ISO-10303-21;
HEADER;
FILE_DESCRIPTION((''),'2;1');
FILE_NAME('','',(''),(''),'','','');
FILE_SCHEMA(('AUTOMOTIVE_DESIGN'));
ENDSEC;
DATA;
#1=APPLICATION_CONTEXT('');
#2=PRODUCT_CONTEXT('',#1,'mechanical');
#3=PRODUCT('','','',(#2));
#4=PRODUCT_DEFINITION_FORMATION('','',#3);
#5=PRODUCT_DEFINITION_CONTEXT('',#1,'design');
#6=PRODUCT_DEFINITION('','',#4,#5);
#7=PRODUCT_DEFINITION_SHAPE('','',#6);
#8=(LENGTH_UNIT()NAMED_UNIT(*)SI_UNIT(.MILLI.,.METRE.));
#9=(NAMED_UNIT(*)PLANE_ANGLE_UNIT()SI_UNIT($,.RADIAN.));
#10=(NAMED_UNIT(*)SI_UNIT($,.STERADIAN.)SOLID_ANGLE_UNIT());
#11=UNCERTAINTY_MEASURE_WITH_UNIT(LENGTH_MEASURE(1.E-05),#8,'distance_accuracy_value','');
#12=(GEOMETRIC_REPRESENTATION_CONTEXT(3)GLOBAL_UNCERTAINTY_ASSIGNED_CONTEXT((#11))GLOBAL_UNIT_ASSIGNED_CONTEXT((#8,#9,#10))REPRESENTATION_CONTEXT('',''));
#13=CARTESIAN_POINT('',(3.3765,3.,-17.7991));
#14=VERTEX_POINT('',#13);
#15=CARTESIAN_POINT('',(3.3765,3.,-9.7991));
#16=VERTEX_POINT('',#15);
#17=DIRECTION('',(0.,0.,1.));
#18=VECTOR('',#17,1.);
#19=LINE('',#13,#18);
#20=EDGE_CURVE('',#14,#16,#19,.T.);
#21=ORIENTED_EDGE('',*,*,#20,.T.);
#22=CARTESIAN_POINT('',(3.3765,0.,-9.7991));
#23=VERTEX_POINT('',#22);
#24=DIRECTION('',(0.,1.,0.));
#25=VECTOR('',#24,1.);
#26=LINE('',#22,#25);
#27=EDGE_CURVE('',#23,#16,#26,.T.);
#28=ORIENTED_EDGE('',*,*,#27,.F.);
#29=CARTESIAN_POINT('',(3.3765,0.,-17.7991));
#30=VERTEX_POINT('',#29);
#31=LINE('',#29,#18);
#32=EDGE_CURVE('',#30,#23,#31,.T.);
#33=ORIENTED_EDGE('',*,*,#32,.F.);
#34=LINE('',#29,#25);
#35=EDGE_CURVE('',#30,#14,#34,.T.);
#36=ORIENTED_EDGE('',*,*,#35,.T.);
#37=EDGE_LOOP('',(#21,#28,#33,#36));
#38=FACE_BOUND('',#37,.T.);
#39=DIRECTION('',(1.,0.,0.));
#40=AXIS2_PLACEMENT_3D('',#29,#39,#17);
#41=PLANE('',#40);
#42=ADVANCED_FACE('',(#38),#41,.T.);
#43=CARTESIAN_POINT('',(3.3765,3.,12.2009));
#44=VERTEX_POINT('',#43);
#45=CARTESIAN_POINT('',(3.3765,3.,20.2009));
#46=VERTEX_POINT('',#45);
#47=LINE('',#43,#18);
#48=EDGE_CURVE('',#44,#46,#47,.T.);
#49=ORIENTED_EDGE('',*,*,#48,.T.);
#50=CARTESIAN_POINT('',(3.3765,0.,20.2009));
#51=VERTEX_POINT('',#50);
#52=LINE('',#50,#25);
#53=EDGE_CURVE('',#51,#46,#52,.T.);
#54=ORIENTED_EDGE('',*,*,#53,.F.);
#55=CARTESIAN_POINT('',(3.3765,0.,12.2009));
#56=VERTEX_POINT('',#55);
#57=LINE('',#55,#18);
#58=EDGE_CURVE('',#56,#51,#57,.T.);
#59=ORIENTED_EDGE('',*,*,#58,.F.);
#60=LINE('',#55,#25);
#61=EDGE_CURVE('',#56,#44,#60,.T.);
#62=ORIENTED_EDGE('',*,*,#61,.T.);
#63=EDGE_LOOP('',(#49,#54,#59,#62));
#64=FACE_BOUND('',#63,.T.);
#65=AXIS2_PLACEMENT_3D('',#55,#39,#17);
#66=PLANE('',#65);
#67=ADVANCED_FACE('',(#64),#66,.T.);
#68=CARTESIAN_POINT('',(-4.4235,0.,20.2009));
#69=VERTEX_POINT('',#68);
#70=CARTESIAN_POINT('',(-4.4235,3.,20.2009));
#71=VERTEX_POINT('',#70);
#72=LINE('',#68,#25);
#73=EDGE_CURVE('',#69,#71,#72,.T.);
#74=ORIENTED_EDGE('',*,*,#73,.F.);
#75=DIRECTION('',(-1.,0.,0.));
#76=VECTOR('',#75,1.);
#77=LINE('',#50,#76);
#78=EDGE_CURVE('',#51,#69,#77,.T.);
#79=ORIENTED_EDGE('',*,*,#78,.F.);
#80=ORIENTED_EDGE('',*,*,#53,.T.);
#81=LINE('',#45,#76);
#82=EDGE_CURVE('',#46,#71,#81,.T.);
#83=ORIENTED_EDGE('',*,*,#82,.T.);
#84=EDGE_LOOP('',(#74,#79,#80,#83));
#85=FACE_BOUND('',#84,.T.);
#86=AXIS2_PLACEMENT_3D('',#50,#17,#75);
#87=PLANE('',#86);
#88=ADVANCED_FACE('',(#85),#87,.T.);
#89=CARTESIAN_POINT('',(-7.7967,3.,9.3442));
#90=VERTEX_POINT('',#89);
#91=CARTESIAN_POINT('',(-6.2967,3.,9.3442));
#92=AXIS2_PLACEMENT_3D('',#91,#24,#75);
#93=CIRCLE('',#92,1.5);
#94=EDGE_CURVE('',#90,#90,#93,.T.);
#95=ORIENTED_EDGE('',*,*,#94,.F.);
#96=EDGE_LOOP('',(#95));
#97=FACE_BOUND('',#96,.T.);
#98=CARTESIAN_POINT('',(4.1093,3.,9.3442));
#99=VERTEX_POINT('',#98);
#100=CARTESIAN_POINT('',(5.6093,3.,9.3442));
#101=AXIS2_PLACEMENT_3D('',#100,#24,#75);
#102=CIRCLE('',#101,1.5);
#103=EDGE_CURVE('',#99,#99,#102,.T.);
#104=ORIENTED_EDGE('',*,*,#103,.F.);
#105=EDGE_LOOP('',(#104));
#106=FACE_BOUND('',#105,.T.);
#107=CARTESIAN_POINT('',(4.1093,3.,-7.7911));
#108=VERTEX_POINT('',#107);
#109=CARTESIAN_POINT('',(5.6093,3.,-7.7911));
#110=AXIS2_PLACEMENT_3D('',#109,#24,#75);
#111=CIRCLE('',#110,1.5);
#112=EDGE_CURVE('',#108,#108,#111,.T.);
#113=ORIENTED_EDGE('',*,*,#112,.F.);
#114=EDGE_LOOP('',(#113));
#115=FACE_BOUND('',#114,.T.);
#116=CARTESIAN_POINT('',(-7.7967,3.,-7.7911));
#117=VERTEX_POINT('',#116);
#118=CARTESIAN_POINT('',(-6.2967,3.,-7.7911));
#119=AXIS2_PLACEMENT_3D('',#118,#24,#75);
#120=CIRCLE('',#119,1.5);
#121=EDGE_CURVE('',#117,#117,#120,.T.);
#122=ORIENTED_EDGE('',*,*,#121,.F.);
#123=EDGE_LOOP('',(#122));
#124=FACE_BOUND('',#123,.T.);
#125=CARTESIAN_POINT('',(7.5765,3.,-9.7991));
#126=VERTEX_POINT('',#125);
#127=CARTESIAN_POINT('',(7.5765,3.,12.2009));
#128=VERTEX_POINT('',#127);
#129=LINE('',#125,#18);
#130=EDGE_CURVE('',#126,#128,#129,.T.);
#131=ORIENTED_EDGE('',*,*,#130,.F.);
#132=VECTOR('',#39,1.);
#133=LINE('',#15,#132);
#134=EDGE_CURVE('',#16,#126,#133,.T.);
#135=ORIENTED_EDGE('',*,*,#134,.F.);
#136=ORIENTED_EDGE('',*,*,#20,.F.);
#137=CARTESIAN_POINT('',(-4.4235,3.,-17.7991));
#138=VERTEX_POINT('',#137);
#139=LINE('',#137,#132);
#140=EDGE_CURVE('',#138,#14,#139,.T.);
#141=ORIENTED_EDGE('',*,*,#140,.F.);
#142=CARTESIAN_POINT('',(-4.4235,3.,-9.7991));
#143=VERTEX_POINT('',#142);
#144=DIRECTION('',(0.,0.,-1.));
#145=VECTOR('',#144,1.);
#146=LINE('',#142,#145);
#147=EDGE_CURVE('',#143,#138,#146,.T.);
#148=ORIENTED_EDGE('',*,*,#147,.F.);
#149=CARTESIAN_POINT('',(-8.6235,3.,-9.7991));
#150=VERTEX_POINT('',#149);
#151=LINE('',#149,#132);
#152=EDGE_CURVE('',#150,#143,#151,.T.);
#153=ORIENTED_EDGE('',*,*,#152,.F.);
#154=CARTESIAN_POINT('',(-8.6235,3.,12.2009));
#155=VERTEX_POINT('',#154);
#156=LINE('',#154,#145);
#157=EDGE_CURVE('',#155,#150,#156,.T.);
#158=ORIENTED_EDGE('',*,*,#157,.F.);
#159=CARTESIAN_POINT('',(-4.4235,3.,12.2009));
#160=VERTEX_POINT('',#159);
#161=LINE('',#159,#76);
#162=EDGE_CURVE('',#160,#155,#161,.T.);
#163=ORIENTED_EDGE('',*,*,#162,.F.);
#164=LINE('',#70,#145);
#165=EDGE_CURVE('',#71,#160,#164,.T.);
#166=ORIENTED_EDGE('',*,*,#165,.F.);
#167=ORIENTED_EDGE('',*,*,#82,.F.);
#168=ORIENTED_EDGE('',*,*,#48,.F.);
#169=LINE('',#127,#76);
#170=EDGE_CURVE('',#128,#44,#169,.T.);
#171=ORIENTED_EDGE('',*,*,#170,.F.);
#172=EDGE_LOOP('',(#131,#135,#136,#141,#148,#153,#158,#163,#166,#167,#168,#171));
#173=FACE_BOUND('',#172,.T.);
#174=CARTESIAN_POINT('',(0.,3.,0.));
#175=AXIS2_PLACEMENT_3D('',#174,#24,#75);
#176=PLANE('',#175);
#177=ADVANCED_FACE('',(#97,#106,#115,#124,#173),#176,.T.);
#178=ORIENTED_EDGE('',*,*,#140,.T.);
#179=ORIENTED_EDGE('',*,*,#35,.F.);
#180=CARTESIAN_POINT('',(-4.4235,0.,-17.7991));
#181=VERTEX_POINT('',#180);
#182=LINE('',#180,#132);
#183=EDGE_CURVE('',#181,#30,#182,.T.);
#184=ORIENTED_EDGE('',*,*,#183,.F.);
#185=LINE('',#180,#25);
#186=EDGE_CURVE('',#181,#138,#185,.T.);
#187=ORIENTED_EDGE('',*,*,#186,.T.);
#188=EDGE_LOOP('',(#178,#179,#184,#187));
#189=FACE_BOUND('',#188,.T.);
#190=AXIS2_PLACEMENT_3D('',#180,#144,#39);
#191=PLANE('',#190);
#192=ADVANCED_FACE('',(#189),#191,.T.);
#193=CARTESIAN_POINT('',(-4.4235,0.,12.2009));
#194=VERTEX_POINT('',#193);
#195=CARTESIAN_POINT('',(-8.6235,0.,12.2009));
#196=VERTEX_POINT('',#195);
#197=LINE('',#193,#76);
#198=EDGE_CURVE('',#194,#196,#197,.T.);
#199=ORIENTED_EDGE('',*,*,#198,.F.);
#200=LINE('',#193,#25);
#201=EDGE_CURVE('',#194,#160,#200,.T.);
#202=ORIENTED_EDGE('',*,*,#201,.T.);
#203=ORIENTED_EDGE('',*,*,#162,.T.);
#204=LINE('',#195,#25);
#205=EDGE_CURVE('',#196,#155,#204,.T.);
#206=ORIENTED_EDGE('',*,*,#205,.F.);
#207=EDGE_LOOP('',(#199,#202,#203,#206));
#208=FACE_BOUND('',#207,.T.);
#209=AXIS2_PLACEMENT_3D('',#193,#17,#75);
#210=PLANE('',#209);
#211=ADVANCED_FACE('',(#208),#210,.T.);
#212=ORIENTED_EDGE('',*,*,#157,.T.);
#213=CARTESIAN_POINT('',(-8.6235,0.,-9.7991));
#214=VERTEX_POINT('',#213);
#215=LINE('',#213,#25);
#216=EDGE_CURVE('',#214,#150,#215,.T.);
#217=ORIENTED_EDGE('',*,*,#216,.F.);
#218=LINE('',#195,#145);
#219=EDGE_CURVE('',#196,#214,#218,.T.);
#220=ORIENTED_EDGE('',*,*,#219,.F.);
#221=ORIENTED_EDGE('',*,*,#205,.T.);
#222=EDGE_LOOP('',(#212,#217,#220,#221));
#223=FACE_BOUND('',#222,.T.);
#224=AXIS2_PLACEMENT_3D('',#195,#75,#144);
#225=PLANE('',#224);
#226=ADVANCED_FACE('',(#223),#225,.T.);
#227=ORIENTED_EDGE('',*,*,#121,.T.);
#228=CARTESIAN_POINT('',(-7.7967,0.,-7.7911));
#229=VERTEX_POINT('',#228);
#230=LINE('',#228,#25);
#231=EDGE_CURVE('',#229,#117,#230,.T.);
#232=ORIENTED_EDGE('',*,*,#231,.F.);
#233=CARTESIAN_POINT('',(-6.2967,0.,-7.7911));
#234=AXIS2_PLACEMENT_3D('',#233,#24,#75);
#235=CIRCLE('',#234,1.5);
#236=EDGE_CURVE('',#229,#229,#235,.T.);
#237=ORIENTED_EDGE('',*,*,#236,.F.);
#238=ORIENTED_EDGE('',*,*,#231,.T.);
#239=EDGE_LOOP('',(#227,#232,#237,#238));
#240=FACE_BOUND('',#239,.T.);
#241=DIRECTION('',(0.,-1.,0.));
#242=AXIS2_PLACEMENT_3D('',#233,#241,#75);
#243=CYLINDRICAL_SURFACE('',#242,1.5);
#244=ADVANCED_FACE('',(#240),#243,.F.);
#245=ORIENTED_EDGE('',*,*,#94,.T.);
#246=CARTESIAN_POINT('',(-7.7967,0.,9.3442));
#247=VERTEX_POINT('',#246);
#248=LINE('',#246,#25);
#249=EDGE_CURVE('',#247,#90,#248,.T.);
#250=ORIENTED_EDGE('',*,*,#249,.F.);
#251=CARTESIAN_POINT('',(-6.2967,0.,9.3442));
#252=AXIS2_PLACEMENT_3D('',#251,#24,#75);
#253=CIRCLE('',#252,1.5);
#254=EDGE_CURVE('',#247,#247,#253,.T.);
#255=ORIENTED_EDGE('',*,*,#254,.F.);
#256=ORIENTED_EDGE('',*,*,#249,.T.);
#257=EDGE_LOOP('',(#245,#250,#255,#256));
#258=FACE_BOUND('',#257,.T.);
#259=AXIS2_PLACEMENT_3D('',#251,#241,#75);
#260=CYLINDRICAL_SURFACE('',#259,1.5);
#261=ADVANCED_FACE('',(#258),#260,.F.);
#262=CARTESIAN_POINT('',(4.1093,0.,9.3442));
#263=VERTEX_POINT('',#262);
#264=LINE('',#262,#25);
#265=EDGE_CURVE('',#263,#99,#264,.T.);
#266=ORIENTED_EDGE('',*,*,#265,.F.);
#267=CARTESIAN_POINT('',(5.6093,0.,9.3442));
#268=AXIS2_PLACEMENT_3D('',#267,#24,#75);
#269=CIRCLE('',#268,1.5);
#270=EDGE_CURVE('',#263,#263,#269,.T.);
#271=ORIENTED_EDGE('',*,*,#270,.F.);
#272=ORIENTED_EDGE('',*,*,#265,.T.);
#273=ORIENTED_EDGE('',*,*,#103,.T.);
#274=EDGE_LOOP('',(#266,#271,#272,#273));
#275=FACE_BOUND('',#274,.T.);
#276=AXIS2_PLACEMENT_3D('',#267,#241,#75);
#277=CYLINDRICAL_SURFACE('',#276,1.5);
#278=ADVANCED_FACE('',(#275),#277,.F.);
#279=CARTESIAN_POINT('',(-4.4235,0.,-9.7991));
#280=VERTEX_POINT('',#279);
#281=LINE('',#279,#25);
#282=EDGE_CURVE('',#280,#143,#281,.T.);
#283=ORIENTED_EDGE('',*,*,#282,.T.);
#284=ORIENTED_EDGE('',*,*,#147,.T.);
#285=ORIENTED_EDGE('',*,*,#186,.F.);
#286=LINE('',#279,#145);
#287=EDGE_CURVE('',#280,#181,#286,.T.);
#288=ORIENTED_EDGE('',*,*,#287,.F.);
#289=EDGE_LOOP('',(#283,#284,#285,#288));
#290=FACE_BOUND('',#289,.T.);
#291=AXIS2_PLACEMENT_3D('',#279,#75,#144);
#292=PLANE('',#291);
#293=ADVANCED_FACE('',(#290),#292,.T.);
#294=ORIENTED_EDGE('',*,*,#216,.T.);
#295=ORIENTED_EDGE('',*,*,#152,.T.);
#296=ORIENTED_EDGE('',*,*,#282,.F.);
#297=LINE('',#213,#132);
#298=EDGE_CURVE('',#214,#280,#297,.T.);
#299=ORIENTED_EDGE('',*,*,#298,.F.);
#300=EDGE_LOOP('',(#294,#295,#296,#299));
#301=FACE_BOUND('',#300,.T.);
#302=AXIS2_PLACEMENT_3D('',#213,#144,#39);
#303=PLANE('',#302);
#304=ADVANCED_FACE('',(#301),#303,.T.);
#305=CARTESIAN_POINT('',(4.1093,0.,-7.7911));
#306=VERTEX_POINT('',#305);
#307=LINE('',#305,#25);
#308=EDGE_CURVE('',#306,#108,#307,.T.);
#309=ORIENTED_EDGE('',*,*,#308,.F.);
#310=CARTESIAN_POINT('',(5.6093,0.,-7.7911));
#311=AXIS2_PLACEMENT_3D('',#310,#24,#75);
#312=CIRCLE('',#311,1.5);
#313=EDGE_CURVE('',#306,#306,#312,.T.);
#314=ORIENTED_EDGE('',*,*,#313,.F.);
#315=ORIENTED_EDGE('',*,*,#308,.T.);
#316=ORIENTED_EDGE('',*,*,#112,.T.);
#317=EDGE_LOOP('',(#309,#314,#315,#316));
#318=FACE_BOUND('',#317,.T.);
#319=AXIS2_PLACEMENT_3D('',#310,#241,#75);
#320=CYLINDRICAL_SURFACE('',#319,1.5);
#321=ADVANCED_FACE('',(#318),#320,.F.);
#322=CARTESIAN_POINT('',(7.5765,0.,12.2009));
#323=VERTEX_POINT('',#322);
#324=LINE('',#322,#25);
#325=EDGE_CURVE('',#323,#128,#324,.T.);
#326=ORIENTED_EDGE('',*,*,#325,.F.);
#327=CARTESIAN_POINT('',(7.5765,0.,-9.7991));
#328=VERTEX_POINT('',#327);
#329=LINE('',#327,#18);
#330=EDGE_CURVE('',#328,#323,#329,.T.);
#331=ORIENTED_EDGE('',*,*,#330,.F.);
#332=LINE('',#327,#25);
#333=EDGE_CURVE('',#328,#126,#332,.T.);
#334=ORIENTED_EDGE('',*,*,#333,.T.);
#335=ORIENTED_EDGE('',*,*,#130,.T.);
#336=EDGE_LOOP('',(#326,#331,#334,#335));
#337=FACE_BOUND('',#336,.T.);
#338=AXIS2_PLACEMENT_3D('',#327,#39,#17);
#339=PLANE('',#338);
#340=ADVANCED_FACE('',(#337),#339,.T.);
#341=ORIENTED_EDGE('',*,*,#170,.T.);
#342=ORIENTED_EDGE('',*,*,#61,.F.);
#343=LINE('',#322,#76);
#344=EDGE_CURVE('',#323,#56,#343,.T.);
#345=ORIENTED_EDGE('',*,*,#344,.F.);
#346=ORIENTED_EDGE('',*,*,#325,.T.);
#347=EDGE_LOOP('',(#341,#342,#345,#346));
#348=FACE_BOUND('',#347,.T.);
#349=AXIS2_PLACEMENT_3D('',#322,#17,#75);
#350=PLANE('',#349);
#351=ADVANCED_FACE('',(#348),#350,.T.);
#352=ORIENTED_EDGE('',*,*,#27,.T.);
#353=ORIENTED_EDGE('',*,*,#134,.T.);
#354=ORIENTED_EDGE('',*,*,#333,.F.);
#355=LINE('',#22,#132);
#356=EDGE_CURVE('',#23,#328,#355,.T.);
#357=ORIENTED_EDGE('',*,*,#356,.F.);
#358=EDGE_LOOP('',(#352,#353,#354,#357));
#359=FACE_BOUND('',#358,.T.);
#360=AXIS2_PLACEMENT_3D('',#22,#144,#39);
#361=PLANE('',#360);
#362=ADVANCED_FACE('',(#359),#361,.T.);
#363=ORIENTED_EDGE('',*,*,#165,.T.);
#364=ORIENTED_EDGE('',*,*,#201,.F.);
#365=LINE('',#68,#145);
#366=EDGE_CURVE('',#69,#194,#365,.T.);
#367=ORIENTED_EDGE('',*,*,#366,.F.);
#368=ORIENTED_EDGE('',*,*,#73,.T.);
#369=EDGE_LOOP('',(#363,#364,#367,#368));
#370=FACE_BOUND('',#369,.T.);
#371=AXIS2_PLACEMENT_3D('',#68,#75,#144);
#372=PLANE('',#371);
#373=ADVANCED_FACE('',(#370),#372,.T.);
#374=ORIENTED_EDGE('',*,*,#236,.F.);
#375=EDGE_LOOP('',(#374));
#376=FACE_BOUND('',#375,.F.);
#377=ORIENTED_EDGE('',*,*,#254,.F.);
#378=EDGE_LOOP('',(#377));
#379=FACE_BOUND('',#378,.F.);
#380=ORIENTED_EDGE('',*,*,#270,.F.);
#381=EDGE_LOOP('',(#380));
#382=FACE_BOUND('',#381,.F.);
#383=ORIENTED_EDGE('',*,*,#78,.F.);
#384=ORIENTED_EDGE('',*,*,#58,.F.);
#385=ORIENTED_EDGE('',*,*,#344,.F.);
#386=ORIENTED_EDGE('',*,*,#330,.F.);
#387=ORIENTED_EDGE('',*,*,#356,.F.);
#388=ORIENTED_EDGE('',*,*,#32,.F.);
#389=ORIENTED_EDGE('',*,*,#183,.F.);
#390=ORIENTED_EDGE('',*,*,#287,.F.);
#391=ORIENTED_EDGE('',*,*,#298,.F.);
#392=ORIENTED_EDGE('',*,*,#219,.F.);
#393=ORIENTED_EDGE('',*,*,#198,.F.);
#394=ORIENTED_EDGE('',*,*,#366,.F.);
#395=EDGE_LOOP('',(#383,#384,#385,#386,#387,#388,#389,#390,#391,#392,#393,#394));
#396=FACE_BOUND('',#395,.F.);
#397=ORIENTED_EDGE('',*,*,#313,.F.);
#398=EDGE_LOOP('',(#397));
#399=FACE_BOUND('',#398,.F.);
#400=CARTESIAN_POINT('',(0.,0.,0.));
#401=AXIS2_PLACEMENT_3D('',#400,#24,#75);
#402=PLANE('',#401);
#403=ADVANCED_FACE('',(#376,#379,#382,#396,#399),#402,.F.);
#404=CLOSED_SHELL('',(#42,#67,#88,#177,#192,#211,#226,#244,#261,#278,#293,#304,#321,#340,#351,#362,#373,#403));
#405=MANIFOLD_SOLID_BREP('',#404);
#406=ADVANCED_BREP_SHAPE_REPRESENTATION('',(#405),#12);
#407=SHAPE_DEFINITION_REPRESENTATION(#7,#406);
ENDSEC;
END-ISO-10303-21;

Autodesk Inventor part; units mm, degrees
ref_plane "YZ Plane" through (0, 0, 0) normal (1, 0, 0) x (0, 1, 0)
ref_plane "XZ Plane" through (0, 0, 0) normal (0, 1, 0) x (-1, 0, 0)
ref_plane "XY Plane" through (0, 0, 0) normal (0, 0, 1) x (1, 0, 0)
sketch "Эскиз1" plane through (0, 0, 0) normal (0, 1, 0) x (-1, 0, 0)
  circle A0 centre (6.2967, 9.3442) radius 1.5
  circle A1 centre (-5.6093, 9.3442) radius 1.5
  circle A2 centre (-5.6093, -7.7911) radius 1.5
  circle A3 centre (6.2967, -7.7911) radius 1.5
  line L0 (4.4235, -9.7991) -> (4.4235, -17.7991)
  line L1 (8.6235, -9.7991) -> (4.4235, -9.7991)
  line L2 (8.6235, 12.2009) -> (8.6235, -9.7991)
  line L3 (4.4235, 12.2009) -> (8.6235, 12.2009)
  line L4 (4.4235, 20.2009) -> (4.4235, 12.2009)
  line L5 (-3.3765, 20.2009) -> (4.4235, 20.2009)
  line L6 (-3.3765, 12.2009) -> (-3.3765, 20.2009)
  line L7 (-7.5765, 12.2009) -> (-3.3765, 12.2009)
  line L8 (-7.5765, -9.7991) -> (-7.5765, 12.2009)
  line L9 (-3.3765, -9.7991) -> (-7.5765, -9.7991)
  line L10 (-3.3765, -17.7991) -> (-3.3765, -9.7991)
  line L11 (4.4235, -17.7991) -> (-3.3765, -17.7991)
  point P0 (0, 0)
  point P1 (-15.7765, 1.2009)
extrude "Выдавливание1" add sketch "Эскиз1" along normal blind 3
properties part number "КВ33.044.503 - Прижим ремня" material "Пластик АБС"
